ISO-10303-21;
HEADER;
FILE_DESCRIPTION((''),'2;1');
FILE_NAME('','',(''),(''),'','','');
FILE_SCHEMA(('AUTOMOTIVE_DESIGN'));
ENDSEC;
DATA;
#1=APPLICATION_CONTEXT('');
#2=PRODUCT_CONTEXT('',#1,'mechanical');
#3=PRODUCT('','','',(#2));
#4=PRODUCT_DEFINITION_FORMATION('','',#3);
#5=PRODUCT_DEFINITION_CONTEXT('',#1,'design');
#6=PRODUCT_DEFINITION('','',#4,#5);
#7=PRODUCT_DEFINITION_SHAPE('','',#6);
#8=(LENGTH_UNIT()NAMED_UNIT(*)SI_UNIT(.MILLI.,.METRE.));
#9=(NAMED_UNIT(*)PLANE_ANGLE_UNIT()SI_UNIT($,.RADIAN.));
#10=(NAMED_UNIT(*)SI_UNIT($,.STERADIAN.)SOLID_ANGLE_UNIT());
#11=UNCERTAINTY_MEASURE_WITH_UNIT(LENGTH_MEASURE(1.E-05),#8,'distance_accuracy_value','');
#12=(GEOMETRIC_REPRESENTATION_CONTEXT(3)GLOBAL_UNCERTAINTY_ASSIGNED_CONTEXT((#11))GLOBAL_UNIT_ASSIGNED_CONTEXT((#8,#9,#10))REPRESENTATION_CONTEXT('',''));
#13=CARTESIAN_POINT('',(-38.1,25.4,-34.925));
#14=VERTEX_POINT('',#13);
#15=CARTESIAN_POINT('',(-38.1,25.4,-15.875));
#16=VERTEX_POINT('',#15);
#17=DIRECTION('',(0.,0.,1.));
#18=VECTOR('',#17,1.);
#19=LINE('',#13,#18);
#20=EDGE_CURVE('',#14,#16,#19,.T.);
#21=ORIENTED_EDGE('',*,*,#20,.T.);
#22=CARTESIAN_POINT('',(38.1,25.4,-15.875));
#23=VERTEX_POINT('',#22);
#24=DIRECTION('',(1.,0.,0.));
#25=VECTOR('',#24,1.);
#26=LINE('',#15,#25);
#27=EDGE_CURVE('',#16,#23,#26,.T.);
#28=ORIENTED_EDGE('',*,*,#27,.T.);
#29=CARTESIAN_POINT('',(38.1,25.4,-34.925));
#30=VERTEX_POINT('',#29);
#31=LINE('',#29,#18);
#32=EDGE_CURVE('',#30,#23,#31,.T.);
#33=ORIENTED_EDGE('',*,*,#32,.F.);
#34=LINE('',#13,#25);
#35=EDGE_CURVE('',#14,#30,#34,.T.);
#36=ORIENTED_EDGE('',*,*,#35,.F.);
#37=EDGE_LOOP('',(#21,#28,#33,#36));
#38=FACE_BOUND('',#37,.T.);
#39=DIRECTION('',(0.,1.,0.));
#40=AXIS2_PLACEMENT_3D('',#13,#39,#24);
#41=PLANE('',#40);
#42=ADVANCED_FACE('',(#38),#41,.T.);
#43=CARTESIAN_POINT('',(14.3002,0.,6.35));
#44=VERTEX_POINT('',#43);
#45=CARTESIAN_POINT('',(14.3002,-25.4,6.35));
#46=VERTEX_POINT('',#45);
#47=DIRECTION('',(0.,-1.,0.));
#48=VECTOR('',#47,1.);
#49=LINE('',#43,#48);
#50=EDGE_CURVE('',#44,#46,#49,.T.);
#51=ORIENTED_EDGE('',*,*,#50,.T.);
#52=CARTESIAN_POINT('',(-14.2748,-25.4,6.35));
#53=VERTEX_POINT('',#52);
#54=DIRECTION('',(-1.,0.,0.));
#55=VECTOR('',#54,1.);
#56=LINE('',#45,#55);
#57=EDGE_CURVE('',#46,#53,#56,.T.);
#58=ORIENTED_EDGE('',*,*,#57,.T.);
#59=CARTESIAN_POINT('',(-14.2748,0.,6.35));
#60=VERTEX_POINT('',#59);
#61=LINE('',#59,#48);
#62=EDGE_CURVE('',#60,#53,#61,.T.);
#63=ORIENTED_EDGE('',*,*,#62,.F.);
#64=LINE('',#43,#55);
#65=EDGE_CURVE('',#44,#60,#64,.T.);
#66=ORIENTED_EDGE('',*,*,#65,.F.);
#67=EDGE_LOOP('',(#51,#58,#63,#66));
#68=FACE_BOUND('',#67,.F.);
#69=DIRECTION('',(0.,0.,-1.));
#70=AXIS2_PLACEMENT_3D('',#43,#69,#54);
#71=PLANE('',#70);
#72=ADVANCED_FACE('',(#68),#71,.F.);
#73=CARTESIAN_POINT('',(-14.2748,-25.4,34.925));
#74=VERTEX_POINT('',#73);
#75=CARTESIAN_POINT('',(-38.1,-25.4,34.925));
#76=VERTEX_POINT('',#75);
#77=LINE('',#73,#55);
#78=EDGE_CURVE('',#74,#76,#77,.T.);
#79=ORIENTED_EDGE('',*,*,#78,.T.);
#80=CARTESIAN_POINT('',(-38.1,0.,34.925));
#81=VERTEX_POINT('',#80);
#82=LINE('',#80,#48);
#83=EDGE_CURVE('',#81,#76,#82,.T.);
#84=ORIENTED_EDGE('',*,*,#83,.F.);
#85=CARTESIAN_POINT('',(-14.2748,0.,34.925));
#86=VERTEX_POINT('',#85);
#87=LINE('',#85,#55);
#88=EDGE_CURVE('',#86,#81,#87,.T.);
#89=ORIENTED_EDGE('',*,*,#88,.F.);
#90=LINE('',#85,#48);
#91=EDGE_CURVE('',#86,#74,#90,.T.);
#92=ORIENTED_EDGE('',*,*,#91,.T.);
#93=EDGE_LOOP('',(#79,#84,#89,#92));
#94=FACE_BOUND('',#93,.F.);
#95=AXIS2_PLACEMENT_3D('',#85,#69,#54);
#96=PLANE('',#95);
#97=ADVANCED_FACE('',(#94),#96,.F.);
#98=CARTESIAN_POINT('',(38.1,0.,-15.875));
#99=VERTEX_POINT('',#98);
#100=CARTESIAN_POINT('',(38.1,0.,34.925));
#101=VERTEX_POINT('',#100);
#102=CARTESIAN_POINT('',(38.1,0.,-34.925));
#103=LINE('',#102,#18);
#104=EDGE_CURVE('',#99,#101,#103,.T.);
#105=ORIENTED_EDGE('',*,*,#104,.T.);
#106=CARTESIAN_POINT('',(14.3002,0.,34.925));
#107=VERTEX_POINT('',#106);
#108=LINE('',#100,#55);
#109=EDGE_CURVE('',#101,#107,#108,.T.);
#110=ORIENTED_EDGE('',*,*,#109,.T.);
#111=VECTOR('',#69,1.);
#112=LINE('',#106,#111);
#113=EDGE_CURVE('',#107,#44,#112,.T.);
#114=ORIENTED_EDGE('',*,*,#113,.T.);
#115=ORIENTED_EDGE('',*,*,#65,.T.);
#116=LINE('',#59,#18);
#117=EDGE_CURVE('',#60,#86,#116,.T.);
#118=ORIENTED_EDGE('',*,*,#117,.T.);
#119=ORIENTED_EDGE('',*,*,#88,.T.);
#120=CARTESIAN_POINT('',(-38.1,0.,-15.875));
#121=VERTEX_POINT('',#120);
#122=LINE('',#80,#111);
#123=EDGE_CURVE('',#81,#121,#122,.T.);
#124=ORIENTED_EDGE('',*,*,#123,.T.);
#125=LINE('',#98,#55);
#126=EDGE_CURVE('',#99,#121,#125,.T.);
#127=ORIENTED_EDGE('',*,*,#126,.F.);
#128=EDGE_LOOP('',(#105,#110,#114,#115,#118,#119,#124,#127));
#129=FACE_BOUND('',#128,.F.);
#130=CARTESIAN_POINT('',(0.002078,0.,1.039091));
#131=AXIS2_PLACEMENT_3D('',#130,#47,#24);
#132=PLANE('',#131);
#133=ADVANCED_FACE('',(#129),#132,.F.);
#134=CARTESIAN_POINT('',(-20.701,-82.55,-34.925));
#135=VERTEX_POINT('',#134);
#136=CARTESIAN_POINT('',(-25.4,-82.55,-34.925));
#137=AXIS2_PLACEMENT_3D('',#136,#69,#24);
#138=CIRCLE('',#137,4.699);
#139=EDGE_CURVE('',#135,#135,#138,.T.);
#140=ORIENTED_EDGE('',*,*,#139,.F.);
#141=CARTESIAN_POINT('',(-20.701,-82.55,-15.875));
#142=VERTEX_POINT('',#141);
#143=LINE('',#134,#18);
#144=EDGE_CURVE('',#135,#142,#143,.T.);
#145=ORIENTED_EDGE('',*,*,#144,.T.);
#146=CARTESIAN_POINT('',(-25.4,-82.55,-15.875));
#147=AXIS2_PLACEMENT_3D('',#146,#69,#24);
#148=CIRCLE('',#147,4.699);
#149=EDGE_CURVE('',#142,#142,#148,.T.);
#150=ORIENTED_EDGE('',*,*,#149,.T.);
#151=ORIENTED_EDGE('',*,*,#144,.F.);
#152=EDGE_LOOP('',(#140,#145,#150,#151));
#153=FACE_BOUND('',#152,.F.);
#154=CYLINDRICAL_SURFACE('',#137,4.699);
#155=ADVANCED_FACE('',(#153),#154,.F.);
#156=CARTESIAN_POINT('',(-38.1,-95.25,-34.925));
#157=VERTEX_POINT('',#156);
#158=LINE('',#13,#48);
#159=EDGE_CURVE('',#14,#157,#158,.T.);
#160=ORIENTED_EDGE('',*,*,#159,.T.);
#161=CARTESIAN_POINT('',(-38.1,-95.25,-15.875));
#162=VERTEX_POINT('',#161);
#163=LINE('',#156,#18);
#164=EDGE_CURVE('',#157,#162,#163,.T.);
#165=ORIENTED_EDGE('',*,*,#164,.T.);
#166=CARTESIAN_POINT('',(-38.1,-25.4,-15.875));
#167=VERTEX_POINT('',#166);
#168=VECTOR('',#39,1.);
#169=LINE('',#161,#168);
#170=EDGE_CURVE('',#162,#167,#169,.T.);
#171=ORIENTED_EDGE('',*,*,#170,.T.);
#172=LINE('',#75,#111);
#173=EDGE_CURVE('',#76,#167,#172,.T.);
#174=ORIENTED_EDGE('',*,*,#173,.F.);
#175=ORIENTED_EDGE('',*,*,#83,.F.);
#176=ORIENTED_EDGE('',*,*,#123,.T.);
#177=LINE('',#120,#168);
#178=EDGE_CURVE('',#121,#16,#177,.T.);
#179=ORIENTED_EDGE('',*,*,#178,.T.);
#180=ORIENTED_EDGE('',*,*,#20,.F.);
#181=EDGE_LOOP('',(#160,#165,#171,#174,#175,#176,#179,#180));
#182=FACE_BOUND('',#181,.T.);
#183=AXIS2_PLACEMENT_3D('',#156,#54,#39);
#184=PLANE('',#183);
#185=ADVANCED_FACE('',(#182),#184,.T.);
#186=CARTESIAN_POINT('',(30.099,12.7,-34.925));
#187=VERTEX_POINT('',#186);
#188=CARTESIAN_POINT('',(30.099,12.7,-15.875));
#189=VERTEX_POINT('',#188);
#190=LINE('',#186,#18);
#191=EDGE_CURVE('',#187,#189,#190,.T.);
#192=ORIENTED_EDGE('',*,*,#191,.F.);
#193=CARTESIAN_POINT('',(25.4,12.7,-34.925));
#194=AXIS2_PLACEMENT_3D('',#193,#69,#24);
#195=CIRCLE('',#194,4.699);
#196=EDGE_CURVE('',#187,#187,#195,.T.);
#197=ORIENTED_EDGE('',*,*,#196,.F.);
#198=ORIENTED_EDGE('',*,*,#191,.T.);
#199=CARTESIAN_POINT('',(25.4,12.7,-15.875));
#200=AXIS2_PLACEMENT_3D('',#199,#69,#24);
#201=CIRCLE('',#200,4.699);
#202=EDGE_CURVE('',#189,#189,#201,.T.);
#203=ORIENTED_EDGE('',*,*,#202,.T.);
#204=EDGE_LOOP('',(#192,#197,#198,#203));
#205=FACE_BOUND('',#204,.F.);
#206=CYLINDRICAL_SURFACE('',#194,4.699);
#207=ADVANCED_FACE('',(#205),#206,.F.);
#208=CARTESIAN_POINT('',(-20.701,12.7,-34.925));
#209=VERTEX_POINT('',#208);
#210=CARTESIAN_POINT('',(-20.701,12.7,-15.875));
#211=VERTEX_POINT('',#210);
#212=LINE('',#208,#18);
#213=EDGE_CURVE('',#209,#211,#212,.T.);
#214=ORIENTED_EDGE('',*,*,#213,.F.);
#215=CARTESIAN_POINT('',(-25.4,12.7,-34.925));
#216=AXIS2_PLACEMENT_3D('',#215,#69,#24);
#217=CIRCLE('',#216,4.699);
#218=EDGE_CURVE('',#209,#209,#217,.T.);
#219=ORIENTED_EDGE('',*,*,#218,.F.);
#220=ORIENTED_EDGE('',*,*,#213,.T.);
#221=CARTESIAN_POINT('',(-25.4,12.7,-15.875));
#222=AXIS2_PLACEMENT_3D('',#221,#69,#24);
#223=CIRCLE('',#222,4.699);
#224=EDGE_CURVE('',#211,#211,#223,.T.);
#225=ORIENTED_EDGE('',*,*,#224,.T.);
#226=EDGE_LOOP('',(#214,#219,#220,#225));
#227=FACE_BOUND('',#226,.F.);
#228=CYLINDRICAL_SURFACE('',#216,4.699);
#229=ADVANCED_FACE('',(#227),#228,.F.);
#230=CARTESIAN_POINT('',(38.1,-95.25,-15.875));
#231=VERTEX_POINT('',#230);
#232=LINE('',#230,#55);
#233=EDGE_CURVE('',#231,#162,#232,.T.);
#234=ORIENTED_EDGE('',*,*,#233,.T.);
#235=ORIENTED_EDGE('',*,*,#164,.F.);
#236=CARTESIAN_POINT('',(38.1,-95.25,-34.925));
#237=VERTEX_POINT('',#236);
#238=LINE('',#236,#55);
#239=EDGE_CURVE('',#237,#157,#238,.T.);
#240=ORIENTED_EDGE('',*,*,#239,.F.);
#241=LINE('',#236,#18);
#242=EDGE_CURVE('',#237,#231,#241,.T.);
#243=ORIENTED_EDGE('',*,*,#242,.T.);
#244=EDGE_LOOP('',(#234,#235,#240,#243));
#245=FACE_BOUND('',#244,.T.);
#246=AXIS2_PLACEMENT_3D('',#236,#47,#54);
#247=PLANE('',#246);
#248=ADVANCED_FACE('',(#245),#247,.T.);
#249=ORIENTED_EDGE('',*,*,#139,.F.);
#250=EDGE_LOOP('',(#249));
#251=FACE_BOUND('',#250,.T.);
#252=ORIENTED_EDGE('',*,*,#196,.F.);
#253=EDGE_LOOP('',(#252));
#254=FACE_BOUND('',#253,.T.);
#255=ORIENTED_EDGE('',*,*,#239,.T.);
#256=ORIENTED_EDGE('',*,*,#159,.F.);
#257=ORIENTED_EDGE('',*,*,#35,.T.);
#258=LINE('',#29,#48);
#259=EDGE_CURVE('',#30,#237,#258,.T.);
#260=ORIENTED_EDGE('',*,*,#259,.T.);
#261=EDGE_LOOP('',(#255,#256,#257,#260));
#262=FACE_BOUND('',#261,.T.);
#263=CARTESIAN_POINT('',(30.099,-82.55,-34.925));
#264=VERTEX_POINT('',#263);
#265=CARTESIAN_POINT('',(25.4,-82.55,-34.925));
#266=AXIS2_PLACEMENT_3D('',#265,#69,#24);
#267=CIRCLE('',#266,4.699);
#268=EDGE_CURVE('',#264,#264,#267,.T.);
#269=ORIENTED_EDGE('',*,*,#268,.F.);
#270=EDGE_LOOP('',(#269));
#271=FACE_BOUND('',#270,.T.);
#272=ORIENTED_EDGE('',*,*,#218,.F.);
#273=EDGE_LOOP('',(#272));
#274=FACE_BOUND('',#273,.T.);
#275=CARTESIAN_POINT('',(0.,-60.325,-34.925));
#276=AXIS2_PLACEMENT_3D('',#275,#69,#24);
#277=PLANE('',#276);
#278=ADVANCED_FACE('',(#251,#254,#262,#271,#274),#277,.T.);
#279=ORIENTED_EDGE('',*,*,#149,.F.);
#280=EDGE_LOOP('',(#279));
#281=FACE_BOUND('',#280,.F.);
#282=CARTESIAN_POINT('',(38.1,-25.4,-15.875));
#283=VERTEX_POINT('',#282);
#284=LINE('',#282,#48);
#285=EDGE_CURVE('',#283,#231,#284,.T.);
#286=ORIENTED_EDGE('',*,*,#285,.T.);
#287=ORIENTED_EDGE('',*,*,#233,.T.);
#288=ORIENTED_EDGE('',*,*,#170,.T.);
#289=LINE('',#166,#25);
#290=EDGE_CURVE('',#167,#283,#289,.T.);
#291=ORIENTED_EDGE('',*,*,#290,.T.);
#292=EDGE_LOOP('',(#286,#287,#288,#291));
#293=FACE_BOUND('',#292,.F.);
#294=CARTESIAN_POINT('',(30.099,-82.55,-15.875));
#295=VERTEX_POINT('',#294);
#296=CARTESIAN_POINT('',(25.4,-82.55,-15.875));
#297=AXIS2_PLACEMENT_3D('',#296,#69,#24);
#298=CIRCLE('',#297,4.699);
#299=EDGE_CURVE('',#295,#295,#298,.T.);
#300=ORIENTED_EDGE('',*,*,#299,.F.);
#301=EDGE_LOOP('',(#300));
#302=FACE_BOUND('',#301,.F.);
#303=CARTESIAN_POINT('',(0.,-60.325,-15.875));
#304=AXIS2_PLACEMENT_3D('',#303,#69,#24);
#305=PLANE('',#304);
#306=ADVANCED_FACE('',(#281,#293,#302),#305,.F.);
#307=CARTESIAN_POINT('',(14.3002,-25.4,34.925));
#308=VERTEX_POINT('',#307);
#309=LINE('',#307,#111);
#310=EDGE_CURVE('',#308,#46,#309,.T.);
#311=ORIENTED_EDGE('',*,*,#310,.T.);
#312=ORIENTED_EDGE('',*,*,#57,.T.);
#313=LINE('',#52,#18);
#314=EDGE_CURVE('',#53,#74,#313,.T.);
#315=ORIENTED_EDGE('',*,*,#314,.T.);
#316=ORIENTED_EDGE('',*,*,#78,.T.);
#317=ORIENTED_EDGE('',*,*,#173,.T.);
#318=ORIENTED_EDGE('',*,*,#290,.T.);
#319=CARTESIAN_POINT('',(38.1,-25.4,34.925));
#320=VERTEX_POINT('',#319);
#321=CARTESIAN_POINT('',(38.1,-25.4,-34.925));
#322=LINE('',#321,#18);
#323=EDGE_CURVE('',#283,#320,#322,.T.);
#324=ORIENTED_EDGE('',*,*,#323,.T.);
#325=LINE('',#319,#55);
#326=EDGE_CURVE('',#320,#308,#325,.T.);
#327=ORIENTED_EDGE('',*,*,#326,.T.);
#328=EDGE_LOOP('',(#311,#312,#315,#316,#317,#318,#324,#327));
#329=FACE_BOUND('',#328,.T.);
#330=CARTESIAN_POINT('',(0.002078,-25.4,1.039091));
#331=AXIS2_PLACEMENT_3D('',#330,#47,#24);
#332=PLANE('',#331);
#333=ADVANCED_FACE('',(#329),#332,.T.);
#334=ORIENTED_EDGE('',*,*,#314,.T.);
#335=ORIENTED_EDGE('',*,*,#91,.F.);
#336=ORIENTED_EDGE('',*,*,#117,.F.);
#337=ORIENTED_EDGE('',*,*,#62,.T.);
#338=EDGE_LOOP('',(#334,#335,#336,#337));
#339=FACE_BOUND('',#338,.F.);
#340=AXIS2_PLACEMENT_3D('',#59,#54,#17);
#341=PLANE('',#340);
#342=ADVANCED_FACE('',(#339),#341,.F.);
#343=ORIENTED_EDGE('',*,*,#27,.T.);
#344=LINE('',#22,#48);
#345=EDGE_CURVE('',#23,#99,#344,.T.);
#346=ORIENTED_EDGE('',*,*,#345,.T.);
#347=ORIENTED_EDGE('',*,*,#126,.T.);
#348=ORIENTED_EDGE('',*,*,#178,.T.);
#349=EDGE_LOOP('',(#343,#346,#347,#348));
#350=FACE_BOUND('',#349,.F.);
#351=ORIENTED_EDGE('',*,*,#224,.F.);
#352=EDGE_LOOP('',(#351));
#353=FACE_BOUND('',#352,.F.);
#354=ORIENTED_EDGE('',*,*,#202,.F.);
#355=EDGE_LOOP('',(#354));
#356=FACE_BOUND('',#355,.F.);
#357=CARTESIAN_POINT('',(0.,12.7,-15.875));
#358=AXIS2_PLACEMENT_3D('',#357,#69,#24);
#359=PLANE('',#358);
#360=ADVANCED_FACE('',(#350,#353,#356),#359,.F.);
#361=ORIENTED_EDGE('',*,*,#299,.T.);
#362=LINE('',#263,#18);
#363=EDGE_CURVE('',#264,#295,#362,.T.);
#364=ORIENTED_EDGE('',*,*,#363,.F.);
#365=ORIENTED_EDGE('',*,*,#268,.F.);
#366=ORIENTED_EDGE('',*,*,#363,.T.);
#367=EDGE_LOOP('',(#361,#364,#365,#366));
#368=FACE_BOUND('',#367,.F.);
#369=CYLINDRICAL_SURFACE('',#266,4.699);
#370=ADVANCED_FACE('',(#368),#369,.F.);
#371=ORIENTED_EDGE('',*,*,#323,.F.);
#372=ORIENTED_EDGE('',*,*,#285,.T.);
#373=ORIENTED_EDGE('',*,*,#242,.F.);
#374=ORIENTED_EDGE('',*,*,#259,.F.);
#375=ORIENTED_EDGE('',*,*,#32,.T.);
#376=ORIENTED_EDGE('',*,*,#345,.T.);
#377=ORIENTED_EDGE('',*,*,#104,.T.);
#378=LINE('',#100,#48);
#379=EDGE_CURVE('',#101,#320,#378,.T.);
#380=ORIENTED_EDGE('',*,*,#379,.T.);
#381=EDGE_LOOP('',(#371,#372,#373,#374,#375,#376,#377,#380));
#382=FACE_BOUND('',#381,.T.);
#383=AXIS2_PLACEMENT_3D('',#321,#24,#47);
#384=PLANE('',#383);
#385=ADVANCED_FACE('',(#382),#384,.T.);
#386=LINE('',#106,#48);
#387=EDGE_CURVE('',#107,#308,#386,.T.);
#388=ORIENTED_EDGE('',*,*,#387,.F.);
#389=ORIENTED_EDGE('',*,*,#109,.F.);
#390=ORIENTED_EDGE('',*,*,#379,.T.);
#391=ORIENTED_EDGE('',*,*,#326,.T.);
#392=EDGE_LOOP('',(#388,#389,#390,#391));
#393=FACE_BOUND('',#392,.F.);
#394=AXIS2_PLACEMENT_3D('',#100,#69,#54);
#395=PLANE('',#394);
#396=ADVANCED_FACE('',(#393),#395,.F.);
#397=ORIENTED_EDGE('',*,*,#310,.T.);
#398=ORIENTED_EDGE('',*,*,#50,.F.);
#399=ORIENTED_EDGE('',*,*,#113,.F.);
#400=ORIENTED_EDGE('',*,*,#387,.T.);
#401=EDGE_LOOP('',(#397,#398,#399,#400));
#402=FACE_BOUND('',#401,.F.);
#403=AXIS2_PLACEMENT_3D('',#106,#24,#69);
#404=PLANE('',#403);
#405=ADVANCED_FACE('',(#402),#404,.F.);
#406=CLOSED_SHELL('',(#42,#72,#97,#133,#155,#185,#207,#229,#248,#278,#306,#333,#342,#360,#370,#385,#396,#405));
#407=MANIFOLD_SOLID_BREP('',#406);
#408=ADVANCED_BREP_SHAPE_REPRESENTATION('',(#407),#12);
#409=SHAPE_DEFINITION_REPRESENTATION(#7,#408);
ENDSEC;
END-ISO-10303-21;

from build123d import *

# Parameters (mm, degrees)
F1_DEPTH = 25.4
F2_R     = 4.699
F3_DEPTH = 19.05


with BuildPart() as f1:
    # F0 (on Front) → F1 (new body)
    with BuildSketch(Plane.XZ):
        Polygon((-38.1, -34.925), (38.1, -34.925), (38.1, 34.925), (14.3002, 34.925), (14.3002, 6.35), (-14.2748, 6.35), (-14.2748, 34.925), (-38.1, 34.925), align=None)
    extrude(amount=F1_DEPTH)

    # F2 (on face) → F3 (join)
    with BuildSketch(Plane(origin=(0, 0, -34.925), x_dir=(1, 0, 0), z_dir=(0, 0, -1))):
        Polygon((-38.1, 25.4), (38.1, 25.4), (38.1, 82.55), (38.1, 95.25), (25.4, 95.25), (-25.4, 95.25), (-38.1, 95.25), (-38.1, 82.55), align=None)
        with Locations((-25.4, 82.55)):
            Circle(F2_R, mode=Mode.SUBTRACT)
        with Locations((25.4, 82.55)):
            Circle(F2_R, mode=Mode.SUBTRACT)
        Polygon((38.1, -12.7), (38.1, 0), (-38.1, 0), (-38.1, -25.4), (25.4, -25.4), (38.1, -25.4), align=None)
        with Locations((-25.4, -12.7)):
            Circle(F2_R, mode=Mode.SUBTRACT)
        with Locations((25.4, -12.7)):
            Circle(F2_R, mode=Mode.SUBTRACT)
    extrude(amount=-F3_DEPTH)


solid = f1.part
